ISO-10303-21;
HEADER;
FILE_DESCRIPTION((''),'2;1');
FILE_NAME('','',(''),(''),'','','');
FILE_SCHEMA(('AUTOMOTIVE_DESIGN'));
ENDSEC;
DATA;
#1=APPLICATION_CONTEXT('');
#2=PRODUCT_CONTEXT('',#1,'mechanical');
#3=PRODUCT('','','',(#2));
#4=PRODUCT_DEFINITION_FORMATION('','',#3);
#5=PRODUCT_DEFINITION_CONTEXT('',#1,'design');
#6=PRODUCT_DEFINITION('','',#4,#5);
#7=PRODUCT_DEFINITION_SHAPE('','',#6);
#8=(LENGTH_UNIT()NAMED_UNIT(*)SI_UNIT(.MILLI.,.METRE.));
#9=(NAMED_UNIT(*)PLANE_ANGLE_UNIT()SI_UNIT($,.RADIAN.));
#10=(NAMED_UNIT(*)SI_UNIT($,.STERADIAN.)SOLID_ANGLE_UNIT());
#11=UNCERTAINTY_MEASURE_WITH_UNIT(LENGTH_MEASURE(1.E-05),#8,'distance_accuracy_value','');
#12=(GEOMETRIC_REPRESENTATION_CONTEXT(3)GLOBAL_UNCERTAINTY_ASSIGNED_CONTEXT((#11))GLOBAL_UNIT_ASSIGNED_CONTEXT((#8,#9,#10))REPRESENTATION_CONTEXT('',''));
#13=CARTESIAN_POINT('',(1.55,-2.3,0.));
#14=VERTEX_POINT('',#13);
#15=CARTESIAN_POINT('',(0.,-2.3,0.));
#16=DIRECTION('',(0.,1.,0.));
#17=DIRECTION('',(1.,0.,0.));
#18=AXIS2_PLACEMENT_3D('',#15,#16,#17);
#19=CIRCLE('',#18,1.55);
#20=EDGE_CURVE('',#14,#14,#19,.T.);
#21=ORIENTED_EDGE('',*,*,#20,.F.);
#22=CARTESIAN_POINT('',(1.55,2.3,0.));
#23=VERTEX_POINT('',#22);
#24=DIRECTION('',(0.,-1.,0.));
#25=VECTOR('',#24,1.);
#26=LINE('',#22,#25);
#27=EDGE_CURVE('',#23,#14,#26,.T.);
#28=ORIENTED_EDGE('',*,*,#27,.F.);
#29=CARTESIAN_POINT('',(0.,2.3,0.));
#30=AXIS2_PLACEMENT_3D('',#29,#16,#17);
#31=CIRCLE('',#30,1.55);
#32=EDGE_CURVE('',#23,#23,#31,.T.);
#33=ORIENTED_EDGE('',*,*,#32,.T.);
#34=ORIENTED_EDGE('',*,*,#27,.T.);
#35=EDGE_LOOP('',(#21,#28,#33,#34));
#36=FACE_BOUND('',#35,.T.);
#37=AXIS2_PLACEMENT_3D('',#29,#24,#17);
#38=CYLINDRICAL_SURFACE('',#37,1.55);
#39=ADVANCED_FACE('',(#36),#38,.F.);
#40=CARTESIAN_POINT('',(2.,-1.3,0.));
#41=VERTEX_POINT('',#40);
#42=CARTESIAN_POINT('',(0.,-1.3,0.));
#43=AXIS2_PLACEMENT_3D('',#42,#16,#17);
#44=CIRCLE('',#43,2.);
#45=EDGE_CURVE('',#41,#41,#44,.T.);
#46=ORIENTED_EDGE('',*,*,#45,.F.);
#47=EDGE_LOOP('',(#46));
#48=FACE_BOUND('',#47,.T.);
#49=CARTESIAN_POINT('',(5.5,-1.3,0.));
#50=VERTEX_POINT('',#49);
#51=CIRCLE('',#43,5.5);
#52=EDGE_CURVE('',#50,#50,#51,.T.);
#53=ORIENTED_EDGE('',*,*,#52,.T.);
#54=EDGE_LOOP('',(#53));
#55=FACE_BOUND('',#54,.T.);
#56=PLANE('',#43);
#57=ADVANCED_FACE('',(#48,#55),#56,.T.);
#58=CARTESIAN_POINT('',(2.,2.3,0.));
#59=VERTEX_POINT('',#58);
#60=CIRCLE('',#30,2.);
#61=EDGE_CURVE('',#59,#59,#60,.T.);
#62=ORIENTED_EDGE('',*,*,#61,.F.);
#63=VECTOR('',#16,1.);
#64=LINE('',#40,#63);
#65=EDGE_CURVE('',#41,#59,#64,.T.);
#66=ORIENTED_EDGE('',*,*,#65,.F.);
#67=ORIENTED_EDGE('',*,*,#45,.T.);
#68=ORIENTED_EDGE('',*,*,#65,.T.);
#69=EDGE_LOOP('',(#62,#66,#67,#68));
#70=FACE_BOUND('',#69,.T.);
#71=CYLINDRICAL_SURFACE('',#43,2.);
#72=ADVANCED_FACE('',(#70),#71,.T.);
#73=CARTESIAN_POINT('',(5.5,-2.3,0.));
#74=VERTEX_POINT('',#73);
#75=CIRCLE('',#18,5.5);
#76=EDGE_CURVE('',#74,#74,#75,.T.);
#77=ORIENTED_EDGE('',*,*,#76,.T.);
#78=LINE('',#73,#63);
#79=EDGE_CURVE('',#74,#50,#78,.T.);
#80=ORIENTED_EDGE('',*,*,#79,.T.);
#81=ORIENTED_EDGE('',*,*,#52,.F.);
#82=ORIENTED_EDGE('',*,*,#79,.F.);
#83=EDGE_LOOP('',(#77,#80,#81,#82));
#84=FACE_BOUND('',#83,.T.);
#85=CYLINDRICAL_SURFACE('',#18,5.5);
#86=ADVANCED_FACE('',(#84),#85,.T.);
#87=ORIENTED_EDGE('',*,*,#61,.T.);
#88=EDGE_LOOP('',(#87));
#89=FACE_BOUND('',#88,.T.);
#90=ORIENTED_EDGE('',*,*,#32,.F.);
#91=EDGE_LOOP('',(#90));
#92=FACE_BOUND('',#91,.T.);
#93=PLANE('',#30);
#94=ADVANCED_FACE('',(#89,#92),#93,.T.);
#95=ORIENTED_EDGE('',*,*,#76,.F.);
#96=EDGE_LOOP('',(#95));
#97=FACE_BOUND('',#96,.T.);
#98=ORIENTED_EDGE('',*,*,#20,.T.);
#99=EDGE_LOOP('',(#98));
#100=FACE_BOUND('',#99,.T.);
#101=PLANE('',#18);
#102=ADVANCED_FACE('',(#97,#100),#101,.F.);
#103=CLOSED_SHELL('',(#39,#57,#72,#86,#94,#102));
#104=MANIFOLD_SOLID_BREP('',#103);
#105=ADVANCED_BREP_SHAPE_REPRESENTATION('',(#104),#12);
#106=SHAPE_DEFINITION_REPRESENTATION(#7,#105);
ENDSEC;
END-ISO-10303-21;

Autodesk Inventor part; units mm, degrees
ref_plane "YZ Plane" through (0, 0, 0) normal (1, 0, 0) x (0, 1, 0)
ref_plane "XZ Plane" through (0, 0, 0) normal (0, 1, 0) x (-1, 0, 0)
ref_plane "XY Plane" through (0, 0, 0) normal (0, 0, 1) x (1, 0, 0)
sketch "スケッチ1" plane through (0, 0, 0) normal (0, 0, 1) x (1, 0, 0)
  line L0 (1.55, 2.3) -> (1.55, -2.3)
  line L1 (1.55, -2.3) -> (5.5, -2.3)
  line L2 (5.5, -2.3) -> (5.5, -1.3)
  line L3 (5.5, -1.3) -> (2, -1.3)
  line L4 (2, -1.3) -> (2, 2.3)
  line L5 (2, 2.3) -> (1.55, 2.3)
  line L6 (0, -3.22) -> (0, 3.22) projected
  point P0 (0, 0)
  point P1 (1.55, 0)
  dimension "d0" = 2
  dimension "d1" = 1.55
  dimension "d2" = 5.5
  dimension "d3" = 1
  dimension "d7" = 3.6
revolve "回転1" add sketch "スケッチ1" angle 360 about axis through (0, -10, 0) along (0, 1, 0)
properties part number "付け根_スペーサ_1_2" material "アセタール樹脂、黒"
